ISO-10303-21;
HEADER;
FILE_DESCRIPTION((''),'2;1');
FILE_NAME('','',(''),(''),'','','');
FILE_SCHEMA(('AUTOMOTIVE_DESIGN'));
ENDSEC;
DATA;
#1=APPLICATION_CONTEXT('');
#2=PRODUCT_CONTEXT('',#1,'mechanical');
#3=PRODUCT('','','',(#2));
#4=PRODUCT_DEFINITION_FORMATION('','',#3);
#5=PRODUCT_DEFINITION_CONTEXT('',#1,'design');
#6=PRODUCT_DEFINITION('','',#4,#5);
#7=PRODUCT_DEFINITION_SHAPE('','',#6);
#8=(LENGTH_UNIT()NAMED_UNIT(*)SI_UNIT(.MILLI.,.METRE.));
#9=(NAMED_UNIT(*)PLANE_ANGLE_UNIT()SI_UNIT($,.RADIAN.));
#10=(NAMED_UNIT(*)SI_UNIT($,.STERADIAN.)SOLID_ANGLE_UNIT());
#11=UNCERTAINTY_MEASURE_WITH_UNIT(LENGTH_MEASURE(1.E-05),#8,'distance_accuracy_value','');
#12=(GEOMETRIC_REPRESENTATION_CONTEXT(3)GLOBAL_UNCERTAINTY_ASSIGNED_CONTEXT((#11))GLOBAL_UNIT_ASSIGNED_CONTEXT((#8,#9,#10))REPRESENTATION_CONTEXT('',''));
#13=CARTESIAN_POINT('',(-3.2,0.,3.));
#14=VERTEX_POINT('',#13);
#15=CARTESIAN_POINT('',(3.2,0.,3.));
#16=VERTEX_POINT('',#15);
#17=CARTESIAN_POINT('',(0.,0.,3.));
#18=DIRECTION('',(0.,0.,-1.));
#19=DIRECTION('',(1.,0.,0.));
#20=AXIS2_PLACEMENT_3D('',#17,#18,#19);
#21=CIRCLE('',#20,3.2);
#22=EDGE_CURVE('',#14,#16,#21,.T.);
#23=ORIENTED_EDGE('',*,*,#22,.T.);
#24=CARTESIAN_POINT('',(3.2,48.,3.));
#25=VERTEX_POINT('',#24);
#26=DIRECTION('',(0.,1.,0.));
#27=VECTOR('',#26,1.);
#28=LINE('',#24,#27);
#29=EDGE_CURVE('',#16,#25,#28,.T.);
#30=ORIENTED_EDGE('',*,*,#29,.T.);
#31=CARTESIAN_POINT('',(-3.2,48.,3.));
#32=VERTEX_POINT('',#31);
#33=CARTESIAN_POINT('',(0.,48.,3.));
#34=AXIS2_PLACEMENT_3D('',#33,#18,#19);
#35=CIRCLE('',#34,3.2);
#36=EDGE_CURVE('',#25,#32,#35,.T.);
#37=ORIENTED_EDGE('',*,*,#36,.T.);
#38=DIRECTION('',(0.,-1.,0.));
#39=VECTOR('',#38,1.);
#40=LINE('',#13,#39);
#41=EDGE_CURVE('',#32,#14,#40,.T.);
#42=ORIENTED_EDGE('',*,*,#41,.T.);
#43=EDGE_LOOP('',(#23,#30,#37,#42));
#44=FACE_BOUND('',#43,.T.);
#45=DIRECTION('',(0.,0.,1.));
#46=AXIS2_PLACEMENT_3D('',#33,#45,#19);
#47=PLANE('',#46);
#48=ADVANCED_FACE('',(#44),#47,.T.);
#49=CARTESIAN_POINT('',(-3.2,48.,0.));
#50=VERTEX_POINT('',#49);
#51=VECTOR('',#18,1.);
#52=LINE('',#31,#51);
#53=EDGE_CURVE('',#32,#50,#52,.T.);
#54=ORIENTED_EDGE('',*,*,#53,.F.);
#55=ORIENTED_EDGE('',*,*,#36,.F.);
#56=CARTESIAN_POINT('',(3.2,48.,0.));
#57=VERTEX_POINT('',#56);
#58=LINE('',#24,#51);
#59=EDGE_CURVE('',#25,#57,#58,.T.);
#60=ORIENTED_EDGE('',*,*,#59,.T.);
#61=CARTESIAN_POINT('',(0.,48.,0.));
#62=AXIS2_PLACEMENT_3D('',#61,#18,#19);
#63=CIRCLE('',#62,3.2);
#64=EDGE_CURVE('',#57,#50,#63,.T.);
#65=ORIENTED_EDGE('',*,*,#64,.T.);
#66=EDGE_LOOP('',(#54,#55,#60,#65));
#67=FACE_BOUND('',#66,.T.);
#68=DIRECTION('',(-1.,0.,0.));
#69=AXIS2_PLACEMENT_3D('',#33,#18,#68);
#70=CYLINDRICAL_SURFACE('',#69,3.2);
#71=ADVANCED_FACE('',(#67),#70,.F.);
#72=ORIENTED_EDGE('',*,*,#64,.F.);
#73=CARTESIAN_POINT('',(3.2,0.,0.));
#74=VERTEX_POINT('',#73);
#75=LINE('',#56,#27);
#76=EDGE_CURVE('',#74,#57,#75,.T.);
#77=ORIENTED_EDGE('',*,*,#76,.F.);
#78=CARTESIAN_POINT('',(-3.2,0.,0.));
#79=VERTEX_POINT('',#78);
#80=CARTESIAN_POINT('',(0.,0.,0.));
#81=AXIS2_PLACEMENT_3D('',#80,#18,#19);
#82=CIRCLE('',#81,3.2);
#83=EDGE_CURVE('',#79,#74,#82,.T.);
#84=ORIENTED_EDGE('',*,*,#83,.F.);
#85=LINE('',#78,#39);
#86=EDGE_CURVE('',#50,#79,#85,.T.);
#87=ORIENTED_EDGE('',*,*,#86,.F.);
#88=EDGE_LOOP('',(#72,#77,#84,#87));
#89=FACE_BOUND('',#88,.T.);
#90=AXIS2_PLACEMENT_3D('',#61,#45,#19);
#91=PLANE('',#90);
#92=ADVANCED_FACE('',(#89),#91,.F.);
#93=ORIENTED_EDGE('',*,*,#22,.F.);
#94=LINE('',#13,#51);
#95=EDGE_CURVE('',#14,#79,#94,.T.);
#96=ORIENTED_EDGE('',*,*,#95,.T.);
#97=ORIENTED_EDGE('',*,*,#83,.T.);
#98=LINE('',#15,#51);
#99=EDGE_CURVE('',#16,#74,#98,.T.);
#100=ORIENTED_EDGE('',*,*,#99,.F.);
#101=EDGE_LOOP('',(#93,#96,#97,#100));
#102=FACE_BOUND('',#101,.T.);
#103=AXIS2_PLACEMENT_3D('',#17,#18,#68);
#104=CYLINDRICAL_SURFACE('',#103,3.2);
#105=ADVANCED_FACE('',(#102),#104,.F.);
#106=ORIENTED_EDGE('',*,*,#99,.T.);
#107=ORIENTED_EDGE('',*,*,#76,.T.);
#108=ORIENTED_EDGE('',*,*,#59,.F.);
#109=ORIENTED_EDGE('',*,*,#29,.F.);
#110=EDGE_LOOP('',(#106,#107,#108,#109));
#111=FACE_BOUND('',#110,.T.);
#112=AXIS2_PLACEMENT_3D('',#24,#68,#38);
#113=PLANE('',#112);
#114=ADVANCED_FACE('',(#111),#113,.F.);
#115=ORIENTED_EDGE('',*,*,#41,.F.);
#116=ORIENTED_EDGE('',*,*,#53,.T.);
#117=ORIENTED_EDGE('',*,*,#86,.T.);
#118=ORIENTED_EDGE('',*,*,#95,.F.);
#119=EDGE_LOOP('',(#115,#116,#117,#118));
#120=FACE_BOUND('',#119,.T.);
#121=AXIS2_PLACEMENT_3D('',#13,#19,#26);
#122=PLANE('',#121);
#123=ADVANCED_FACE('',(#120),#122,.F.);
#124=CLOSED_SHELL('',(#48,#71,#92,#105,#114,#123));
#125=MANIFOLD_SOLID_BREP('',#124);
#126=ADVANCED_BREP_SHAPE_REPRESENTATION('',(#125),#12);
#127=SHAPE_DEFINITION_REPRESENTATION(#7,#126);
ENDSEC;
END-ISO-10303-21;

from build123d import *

# Parameters (mm, degrees)
BOSS_EXTRUDE3_DEPTH = 3


with BuildPart() as part:
    # Sketch1 → Boss-Extrude3 (new body)
    with BuildSketch(Plane.XY):
        with BuildLine():
            Line((-3.2, 0), (-3.2, 48))
            ThreePointArc((-3.2, 48), (0, 44.8), (3.2, 48))
            Line((3.2, 48), (3.2, 0))
            ThreePointArc((3.2, 0), (0, 3.2), (-3.2, 0))
        make_face()
    extrude(amount=BOSS_EXTRUDE3_DEPTH)


solid = part.part
